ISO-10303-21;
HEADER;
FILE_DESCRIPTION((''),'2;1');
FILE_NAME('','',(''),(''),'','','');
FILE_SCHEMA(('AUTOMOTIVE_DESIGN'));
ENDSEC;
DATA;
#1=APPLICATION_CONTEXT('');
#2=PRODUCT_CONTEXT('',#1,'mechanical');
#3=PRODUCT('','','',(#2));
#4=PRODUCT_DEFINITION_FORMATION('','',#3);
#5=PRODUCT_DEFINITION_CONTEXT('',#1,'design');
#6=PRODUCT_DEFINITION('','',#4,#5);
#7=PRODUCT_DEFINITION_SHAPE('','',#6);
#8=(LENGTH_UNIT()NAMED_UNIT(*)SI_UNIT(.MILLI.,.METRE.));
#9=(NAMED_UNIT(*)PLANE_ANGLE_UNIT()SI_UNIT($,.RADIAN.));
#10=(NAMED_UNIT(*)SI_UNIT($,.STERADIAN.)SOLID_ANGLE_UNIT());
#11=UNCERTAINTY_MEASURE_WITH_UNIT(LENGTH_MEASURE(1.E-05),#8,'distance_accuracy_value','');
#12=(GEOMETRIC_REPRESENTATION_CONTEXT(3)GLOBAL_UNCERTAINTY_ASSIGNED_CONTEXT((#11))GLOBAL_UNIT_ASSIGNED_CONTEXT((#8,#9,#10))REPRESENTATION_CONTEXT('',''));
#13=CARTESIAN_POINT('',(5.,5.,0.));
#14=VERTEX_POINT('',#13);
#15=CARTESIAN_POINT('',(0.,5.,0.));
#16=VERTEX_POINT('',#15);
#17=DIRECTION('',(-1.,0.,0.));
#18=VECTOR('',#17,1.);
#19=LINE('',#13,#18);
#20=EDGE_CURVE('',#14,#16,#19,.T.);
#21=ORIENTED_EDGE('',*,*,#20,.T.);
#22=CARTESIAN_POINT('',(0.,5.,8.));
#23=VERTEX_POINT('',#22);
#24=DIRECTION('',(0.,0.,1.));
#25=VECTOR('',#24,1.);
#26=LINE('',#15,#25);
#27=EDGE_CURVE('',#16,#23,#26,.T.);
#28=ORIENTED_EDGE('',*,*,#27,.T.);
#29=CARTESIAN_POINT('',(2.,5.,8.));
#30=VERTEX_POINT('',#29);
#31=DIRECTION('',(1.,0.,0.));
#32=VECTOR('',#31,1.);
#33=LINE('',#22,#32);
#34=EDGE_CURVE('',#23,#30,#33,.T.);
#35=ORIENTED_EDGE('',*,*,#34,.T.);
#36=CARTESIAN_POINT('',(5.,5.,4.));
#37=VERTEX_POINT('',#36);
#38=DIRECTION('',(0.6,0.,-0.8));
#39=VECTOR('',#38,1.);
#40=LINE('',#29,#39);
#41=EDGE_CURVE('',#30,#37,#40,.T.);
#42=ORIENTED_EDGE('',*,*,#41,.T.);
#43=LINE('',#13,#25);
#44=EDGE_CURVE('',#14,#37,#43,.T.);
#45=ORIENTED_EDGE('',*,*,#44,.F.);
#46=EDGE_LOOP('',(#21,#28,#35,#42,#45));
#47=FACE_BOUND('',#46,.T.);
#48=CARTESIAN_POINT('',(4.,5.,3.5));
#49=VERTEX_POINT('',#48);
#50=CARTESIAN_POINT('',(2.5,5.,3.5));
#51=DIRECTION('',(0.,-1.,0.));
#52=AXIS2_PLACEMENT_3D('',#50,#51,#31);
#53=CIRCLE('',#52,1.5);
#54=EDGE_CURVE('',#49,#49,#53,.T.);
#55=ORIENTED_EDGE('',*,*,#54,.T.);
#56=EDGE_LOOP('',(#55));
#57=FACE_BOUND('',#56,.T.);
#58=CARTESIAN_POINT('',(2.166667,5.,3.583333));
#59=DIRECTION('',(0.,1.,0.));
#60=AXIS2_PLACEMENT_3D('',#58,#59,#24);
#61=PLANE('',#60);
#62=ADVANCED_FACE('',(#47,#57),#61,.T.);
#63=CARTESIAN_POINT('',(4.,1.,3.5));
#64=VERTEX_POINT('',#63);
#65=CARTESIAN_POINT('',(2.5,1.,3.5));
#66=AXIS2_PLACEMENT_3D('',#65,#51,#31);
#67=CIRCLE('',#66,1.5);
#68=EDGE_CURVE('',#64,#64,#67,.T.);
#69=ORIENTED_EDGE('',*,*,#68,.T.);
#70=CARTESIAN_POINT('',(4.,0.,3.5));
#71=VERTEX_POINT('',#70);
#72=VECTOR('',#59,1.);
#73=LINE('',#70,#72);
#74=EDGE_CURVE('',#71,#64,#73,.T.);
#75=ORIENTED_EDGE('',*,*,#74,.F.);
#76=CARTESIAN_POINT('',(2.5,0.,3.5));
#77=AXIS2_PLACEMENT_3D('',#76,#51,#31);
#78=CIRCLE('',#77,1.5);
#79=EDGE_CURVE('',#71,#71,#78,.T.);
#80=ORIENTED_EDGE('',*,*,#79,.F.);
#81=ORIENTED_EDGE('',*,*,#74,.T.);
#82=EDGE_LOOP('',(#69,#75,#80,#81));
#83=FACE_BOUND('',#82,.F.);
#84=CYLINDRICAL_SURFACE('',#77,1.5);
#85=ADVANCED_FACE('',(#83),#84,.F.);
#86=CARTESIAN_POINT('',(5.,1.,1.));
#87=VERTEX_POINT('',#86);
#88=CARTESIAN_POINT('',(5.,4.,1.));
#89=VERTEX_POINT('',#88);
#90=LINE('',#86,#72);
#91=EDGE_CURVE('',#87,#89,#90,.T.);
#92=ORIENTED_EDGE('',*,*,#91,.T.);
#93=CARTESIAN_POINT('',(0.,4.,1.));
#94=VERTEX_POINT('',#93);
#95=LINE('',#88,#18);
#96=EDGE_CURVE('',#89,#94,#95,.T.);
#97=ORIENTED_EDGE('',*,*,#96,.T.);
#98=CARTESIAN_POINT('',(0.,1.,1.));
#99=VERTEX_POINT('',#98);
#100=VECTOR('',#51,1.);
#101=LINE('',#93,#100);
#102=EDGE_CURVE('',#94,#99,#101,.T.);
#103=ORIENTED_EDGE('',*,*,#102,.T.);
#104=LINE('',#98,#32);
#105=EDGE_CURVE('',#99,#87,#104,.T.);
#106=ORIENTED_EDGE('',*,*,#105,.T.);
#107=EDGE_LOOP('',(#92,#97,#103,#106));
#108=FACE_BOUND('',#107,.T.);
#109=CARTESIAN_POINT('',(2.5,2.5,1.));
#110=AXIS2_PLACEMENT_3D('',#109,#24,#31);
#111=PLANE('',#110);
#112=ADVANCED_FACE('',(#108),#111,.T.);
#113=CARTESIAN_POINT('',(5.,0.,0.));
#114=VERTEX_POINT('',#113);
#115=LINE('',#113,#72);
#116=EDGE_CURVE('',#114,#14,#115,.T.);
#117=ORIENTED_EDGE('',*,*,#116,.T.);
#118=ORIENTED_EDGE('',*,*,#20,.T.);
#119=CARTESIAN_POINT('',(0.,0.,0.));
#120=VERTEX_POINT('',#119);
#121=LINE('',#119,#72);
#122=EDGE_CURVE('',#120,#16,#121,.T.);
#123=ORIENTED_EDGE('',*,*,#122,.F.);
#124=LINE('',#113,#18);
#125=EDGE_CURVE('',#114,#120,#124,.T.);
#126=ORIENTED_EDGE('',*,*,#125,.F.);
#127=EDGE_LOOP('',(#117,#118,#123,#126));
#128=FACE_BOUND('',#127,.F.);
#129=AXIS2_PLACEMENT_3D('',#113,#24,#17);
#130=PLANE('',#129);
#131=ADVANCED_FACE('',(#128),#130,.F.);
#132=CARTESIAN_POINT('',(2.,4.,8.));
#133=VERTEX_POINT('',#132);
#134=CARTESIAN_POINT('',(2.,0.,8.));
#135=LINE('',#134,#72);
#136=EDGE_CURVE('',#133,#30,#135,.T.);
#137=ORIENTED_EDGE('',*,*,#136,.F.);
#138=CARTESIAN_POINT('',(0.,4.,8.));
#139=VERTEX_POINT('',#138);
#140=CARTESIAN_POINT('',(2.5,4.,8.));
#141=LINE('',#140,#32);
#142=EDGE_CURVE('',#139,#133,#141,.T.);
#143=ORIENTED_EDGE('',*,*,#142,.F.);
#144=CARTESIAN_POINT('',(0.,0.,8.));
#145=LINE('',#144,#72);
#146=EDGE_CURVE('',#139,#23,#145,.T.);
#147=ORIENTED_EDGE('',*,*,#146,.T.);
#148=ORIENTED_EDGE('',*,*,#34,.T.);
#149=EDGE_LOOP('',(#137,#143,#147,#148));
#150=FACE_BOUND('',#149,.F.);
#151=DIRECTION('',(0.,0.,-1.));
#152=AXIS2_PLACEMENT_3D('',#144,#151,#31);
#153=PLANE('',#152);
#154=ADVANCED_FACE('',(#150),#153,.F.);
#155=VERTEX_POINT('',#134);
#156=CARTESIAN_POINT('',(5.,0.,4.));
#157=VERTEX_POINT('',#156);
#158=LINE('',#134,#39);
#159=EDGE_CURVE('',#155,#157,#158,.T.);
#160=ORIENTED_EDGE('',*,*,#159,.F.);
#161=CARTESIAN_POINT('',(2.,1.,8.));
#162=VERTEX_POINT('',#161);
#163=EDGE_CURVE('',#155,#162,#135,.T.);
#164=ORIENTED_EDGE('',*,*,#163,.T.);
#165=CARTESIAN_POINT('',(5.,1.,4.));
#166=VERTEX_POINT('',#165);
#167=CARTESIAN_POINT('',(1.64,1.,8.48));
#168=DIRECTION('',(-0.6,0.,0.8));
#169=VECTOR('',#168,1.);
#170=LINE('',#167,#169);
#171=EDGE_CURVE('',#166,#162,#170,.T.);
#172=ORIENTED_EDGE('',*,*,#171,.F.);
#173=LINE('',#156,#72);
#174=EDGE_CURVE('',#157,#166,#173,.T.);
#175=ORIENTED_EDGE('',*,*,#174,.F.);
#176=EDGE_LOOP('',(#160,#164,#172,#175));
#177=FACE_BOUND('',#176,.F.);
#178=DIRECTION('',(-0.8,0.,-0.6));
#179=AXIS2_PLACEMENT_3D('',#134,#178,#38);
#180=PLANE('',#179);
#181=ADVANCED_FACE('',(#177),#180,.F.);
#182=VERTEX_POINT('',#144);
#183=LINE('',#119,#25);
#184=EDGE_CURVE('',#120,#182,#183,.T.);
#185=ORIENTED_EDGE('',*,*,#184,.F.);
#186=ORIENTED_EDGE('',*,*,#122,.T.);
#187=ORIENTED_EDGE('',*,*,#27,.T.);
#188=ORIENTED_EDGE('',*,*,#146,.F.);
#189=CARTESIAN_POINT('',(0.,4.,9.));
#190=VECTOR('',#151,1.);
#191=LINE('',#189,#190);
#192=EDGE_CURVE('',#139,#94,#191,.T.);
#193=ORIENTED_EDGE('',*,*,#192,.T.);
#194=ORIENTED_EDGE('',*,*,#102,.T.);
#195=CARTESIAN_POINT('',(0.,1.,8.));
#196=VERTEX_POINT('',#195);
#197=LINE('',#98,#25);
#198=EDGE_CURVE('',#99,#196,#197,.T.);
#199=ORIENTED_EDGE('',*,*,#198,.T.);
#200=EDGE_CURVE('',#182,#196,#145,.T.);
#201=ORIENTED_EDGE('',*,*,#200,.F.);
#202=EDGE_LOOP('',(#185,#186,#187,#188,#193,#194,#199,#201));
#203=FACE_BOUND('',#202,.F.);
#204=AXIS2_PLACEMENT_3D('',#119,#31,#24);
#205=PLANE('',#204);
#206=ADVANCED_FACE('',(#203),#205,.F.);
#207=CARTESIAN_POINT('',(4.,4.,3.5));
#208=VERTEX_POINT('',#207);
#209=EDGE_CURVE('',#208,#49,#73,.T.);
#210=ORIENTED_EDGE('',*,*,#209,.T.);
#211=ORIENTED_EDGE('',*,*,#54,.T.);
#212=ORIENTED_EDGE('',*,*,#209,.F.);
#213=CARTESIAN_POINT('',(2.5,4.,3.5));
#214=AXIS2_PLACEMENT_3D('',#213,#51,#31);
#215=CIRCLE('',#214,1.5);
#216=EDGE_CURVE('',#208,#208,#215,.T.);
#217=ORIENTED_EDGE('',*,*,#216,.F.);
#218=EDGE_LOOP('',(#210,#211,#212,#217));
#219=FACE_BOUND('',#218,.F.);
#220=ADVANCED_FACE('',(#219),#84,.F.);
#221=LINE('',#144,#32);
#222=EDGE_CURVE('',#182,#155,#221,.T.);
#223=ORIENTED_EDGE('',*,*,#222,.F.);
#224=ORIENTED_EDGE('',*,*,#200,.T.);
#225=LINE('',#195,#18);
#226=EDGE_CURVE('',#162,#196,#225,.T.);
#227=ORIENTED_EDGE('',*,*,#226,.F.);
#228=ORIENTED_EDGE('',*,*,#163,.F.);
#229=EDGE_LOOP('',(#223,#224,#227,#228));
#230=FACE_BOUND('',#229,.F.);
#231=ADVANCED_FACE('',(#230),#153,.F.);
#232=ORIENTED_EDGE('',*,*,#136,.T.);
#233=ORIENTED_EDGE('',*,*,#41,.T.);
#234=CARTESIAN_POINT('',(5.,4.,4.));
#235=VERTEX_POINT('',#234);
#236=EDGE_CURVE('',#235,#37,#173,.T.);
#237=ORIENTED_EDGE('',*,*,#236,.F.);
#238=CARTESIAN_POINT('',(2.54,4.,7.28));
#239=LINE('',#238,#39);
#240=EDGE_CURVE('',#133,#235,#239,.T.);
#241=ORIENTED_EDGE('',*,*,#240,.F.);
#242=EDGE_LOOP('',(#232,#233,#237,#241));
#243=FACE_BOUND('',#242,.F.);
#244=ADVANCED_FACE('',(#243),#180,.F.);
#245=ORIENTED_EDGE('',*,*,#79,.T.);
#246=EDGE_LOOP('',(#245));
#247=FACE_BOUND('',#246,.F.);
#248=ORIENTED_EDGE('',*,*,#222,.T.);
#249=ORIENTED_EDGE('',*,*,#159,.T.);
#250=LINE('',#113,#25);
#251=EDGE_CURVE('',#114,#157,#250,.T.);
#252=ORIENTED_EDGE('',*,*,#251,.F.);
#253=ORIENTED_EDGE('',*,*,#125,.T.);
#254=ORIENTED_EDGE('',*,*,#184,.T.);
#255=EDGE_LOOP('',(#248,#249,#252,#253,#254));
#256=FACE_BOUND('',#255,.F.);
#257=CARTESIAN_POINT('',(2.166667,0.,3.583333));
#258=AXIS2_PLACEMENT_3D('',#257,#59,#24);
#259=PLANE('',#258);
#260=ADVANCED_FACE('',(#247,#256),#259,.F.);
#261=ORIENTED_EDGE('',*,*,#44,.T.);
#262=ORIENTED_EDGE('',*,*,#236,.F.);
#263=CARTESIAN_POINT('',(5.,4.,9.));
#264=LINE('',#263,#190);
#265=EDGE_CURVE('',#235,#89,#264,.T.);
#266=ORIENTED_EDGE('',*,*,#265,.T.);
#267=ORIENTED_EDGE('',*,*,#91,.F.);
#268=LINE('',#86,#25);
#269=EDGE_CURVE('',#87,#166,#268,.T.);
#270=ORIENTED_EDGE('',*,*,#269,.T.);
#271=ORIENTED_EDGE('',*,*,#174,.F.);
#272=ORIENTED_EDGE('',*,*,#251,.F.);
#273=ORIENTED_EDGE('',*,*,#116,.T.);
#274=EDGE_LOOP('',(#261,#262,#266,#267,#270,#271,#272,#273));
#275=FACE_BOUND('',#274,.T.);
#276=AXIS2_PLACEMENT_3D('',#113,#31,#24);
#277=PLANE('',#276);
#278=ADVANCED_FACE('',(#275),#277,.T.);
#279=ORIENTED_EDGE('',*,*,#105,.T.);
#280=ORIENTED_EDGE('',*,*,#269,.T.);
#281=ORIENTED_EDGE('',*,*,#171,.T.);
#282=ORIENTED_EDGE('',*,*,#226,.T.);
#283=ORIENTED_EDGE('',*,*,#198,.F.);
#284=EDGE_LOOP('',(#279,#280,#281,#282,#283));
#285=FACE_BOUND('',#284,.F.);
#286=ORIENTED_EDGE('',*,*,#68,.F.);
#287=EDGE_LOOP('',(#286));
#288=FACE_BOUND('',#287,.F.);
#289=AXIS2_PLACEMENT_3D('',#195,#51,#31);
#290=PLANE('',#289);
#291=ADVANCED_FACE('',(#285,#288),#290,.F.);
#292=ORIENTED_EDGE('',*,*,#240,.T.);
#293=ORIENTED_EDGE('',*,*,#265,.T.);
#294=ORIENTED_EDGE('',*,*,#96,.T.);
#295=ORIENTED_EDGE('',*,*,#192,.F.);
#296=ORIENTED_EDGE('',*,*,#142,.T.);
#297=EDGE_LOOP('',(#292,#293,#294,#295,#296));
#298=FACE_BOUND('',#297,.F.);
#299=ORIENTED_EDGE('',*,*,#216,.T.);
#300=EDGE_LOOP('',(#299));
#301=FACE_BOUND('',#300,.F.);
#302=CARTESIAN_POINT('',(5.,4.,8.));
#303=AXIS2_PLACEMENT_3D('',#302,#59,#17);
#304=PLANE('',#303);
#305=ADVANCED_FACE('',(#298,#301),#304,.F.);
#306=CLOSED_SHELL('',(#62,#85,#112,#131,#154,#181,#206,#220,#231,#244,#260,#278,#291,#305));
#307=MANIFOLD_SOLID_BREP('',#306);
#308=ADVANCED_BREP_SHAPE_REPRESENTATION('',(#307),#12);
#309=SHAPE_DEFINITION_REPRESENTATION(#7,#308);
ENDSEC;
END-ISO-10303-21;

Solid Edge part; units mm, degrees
sketch "Sketch1" plane through (0, 0, 0) normal (0, -1, 0) x (1, 0, 0)
  circle A0 centre (2.5, 3.5) radius 1.5
  line L0 (2, 8) -> (5, 4)
  line L1 (5, 0) -> (5, 4)
  line L2 (5, 0) -> (0, 0)
  line L3 (0, 0) -> (0, 8)
  line L4 (0, 8) -> (2, 8)
extrude "Protrusion1" add sketch "Sketch1" against normal blind 5
sketch "Sketch2" plane through (1, 2.5, 8) normal (0, 0, 1) x (1, 0, 0)
  line L0 (-1, 1.5) -> (-1, -1.5)
  line L1 (-1, -1.5) -> (4, -1.5)
  line L2 (4, -1.5) -> (4, 1.5)
  line L3 (4, 1.5) -> (-1, 1.5)
extrude "ExtrudedCutout_1" cut sketch "Sketch2" against normal blind 7 and the other way blind 1
